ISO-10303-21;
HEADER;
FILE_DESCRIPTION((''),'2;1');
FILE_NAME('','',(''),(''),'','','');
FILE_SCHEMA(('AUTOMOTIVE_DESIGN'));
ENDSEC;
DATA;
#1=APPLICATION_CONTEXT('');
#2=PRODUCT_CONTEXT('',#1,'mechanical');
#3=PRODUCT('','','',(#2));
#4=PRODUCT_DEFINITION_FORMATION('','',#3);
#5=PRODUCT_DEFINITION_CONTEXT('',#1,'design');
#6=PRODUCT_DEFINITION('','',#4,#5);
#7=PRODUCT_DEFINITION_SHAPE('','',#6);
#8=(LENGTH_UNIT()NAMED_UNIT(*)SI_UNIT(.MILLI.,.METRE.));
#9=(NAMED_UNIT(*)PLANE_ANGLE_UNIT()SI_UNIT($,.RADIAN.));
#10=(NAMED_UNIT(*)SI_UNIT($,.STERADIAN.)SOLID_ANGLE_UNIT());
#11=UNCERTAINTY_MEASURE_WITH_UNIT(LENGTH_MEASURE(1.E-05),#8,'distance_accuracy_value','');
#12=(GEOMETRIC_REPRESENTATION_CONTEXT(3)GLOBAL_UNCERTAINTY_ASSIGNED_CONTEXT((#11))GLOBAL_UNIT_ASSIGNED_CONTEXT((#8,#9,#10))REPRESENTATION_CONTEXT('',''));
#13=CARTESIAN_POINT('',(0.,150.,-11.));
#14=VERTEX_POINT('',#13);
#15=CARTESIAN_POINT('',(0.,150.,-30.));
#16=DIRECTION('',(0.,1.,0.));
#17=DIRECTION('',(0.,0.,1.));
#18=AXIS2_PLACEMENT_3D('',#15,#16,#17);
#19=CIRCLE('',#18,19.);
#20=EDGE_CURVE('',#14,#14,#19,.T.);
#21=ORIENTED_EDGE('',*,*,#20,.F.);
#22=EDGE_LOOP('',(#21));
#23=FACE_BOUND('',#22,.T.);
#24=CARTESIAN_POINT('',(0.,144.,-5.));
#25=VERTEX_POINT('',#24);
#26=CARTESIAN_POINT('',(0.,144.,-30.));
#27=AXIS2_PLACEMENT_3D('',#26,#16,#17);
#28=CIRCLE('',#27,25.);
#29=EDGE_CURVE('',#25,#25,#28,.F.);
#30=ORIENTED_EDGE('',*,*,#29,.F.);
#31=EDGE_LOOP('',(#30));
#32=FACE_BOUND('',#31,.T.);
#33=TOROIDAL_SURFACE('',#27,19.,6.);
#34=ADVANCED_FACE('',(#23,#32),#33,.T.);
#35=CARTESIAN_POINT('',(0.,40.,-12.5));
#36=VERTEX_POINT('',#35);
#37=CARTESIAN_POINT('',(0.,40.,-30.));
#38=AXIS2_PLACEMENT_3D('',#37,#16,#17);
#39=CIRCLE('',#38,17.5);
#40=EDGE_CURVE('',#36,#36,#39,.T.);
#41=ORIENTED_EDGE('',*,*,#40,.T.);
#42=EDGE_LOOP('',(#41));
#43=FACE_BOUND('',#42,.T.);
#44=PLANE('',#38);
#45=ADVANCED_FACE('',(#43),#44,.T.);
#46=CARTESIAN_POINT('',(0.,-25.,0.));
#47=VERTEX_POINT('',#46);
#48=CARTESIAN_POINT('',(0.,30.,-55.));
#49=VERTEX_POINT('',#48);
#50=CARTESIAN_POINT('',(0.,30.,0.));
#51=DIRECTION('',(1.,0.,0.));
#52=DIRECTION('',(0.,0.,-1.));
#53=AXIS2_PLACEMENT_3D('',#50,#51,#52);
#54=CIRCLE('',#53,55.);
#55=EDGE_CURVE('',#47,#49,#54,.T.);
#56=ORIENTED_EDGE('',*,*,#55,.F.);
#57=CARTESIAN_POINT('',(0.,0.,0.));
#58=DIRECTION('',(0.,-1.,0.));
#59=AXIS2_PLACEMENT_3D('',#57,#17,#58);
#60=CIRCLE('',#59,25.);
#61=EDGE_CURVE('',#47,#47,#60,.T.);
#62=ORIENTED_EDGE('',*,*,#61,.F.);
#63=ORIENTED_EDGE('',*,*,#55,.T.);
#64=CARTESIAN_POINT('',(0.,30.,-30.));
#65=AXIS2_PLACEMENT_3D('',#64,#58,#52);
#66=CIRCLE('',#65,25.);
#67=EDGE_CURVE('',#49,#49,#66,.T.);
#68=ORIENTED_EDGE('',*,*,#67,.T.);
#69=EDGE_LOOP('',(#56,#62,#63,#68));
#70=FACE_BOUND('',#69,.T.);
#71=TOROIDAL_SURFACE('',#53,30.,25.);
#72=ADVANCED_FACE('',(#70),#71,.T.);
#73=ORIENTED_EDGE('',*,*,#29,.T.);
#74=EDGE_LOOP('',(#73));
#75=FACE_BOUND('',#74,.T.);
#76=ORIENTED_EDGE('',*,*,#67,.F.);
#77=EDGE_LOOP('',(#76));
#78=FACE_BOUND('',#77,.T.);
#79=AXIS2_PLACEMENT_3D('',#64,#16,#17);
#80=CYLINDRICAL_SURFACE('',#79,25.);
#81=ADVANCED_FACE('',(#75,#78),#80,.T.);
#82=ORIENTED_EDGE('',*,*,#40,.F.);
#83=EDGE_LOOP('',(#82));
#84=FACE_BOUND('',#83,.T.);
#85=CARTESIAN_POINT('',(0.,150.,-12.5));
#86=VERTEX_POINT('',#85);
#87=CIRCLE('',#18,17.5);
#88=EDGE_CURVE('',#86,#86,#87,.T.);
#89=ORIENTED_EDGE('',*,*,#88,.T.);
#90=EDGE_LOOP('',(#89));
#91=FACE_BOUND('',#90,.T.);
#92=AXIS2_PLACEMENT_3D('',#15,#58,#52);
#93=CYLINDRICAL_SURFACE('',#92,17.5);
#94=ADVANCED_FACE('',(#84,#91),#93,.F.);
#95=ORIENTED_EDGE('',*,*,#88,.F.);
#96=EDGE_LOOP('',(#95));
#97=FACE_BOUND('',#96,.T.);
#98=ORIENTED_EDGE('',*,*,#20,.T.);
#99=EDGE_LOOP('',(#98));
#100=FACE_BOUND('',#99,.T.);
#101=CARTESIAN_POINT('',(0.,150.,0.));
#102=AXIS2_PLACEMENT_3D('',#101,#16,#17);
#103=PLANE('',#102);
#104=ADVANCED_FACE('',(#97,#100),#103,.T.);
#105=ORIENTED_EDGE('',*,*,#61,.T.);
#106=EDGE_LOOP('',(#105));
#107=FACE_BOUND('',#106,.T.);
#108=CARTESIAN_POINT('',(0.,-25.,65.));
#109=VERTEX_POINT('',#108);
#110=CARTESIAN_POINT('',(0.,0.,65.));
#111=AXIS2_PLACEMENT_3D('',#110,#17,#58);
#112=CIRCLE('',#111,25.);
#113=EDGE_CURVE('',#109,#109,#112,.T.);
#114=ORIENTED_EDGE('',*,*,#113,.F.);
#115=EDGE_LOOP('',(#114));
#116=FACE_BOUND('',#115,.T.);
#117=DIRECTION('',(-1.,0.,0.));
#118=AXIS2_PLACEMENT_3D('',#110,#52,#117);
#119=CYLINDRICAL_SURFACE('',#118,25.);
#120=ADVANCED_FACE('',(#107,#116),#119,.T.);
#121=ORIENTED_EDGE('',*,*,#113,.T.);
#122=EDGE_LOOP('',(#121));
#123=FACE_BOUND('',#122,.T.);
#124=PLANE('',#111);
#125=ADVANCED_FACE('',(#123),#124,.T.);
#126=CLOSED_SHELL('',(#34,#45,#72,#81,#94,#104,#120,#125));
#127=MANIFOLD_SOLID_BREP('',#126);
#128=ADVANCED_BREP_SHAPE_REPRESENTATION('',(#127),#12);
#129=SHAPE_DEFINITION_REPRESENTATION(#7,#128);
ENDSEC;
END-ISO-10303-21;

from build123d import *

# Parameters (mm, degrees)
SWEEP1_PROFILE_R    = 25
BOSS_EXTRUDE2_START = 30
SKETCH32_R          = 25
SKETCH32_R_2        = 17.5
BOSS_EXTRUDE2_DEPTH = 30
FILLET1_R           = 6
SKETCH33_R          = 17.5
CUT_EXTRUDE1_DEPTH  = 80


with BuildPart() as part:
    # Sweep1: sweep along a path in Sketch2
    with BuildLine(Plane(origin=(0, 0, 0), x_dir=(0, 0, -1), z_dir=(1, 0, 0))) as sweep1_path:
        Line((-65, 0), (0, 0))
        ThreePointArc((0, 0), (21.213203436, 8.786796564), (30, 30))
        Line((30, 30), (30, 120))
    # Sweep1 profile (on start of the path) → Sweep1 (sweep)
    with BuildSketch(Plane(origin=(0, 0, 65), x_dir=(-1, 0, 0), z_dir=(0, 0, -1))):
        Circle(SWEEP1_PROFILE_R)
    sweep(path=sweep1_path.line)

    # Sketch32 → Boss-Extrude2 (add)
    with BuildSketch(Plane(origin=(0, 120, 0), x_dir=(1, 0, 0), z_dir=(0, 1, 0)).offset(BOSS_EXTRUDE2_START)):
        with Locations(Location((0, 30, 0), (0, 0, 270))):
            Circle(SKETCH32_R)
        with Locations(Location((0, 30, 0), (0, 0, 270))):
            Circle(SKETCH32_R_2, mode=Mode.SUBTRACT)
    extrude(amount=-BOSS_EXTRUDE2_DEPTH)

    # Fillet1
    fillet1_edges = [part.edges().sort_by_distance(p)[0] for p in [
        (0, 150, -55),
    ]]
    fillet(fillet1_edges, radius=FILLET1_R)

    # Sketch33 → Cut-Extrude1 (cut)
    with BuildSketch(Plane(origin=(0, 120, 0), x_dir=(1, 0, 0), z_dir=(0, 1, 0))):
        with Locations(Location((0, 30, 0), (0, 0, 270))):
            Circle(SKETCH33_R)
    extrude(amount=-CUT_EXTRUDE1_DEPTH, mode=Mode.SUBTRACT)


solid = part.part
